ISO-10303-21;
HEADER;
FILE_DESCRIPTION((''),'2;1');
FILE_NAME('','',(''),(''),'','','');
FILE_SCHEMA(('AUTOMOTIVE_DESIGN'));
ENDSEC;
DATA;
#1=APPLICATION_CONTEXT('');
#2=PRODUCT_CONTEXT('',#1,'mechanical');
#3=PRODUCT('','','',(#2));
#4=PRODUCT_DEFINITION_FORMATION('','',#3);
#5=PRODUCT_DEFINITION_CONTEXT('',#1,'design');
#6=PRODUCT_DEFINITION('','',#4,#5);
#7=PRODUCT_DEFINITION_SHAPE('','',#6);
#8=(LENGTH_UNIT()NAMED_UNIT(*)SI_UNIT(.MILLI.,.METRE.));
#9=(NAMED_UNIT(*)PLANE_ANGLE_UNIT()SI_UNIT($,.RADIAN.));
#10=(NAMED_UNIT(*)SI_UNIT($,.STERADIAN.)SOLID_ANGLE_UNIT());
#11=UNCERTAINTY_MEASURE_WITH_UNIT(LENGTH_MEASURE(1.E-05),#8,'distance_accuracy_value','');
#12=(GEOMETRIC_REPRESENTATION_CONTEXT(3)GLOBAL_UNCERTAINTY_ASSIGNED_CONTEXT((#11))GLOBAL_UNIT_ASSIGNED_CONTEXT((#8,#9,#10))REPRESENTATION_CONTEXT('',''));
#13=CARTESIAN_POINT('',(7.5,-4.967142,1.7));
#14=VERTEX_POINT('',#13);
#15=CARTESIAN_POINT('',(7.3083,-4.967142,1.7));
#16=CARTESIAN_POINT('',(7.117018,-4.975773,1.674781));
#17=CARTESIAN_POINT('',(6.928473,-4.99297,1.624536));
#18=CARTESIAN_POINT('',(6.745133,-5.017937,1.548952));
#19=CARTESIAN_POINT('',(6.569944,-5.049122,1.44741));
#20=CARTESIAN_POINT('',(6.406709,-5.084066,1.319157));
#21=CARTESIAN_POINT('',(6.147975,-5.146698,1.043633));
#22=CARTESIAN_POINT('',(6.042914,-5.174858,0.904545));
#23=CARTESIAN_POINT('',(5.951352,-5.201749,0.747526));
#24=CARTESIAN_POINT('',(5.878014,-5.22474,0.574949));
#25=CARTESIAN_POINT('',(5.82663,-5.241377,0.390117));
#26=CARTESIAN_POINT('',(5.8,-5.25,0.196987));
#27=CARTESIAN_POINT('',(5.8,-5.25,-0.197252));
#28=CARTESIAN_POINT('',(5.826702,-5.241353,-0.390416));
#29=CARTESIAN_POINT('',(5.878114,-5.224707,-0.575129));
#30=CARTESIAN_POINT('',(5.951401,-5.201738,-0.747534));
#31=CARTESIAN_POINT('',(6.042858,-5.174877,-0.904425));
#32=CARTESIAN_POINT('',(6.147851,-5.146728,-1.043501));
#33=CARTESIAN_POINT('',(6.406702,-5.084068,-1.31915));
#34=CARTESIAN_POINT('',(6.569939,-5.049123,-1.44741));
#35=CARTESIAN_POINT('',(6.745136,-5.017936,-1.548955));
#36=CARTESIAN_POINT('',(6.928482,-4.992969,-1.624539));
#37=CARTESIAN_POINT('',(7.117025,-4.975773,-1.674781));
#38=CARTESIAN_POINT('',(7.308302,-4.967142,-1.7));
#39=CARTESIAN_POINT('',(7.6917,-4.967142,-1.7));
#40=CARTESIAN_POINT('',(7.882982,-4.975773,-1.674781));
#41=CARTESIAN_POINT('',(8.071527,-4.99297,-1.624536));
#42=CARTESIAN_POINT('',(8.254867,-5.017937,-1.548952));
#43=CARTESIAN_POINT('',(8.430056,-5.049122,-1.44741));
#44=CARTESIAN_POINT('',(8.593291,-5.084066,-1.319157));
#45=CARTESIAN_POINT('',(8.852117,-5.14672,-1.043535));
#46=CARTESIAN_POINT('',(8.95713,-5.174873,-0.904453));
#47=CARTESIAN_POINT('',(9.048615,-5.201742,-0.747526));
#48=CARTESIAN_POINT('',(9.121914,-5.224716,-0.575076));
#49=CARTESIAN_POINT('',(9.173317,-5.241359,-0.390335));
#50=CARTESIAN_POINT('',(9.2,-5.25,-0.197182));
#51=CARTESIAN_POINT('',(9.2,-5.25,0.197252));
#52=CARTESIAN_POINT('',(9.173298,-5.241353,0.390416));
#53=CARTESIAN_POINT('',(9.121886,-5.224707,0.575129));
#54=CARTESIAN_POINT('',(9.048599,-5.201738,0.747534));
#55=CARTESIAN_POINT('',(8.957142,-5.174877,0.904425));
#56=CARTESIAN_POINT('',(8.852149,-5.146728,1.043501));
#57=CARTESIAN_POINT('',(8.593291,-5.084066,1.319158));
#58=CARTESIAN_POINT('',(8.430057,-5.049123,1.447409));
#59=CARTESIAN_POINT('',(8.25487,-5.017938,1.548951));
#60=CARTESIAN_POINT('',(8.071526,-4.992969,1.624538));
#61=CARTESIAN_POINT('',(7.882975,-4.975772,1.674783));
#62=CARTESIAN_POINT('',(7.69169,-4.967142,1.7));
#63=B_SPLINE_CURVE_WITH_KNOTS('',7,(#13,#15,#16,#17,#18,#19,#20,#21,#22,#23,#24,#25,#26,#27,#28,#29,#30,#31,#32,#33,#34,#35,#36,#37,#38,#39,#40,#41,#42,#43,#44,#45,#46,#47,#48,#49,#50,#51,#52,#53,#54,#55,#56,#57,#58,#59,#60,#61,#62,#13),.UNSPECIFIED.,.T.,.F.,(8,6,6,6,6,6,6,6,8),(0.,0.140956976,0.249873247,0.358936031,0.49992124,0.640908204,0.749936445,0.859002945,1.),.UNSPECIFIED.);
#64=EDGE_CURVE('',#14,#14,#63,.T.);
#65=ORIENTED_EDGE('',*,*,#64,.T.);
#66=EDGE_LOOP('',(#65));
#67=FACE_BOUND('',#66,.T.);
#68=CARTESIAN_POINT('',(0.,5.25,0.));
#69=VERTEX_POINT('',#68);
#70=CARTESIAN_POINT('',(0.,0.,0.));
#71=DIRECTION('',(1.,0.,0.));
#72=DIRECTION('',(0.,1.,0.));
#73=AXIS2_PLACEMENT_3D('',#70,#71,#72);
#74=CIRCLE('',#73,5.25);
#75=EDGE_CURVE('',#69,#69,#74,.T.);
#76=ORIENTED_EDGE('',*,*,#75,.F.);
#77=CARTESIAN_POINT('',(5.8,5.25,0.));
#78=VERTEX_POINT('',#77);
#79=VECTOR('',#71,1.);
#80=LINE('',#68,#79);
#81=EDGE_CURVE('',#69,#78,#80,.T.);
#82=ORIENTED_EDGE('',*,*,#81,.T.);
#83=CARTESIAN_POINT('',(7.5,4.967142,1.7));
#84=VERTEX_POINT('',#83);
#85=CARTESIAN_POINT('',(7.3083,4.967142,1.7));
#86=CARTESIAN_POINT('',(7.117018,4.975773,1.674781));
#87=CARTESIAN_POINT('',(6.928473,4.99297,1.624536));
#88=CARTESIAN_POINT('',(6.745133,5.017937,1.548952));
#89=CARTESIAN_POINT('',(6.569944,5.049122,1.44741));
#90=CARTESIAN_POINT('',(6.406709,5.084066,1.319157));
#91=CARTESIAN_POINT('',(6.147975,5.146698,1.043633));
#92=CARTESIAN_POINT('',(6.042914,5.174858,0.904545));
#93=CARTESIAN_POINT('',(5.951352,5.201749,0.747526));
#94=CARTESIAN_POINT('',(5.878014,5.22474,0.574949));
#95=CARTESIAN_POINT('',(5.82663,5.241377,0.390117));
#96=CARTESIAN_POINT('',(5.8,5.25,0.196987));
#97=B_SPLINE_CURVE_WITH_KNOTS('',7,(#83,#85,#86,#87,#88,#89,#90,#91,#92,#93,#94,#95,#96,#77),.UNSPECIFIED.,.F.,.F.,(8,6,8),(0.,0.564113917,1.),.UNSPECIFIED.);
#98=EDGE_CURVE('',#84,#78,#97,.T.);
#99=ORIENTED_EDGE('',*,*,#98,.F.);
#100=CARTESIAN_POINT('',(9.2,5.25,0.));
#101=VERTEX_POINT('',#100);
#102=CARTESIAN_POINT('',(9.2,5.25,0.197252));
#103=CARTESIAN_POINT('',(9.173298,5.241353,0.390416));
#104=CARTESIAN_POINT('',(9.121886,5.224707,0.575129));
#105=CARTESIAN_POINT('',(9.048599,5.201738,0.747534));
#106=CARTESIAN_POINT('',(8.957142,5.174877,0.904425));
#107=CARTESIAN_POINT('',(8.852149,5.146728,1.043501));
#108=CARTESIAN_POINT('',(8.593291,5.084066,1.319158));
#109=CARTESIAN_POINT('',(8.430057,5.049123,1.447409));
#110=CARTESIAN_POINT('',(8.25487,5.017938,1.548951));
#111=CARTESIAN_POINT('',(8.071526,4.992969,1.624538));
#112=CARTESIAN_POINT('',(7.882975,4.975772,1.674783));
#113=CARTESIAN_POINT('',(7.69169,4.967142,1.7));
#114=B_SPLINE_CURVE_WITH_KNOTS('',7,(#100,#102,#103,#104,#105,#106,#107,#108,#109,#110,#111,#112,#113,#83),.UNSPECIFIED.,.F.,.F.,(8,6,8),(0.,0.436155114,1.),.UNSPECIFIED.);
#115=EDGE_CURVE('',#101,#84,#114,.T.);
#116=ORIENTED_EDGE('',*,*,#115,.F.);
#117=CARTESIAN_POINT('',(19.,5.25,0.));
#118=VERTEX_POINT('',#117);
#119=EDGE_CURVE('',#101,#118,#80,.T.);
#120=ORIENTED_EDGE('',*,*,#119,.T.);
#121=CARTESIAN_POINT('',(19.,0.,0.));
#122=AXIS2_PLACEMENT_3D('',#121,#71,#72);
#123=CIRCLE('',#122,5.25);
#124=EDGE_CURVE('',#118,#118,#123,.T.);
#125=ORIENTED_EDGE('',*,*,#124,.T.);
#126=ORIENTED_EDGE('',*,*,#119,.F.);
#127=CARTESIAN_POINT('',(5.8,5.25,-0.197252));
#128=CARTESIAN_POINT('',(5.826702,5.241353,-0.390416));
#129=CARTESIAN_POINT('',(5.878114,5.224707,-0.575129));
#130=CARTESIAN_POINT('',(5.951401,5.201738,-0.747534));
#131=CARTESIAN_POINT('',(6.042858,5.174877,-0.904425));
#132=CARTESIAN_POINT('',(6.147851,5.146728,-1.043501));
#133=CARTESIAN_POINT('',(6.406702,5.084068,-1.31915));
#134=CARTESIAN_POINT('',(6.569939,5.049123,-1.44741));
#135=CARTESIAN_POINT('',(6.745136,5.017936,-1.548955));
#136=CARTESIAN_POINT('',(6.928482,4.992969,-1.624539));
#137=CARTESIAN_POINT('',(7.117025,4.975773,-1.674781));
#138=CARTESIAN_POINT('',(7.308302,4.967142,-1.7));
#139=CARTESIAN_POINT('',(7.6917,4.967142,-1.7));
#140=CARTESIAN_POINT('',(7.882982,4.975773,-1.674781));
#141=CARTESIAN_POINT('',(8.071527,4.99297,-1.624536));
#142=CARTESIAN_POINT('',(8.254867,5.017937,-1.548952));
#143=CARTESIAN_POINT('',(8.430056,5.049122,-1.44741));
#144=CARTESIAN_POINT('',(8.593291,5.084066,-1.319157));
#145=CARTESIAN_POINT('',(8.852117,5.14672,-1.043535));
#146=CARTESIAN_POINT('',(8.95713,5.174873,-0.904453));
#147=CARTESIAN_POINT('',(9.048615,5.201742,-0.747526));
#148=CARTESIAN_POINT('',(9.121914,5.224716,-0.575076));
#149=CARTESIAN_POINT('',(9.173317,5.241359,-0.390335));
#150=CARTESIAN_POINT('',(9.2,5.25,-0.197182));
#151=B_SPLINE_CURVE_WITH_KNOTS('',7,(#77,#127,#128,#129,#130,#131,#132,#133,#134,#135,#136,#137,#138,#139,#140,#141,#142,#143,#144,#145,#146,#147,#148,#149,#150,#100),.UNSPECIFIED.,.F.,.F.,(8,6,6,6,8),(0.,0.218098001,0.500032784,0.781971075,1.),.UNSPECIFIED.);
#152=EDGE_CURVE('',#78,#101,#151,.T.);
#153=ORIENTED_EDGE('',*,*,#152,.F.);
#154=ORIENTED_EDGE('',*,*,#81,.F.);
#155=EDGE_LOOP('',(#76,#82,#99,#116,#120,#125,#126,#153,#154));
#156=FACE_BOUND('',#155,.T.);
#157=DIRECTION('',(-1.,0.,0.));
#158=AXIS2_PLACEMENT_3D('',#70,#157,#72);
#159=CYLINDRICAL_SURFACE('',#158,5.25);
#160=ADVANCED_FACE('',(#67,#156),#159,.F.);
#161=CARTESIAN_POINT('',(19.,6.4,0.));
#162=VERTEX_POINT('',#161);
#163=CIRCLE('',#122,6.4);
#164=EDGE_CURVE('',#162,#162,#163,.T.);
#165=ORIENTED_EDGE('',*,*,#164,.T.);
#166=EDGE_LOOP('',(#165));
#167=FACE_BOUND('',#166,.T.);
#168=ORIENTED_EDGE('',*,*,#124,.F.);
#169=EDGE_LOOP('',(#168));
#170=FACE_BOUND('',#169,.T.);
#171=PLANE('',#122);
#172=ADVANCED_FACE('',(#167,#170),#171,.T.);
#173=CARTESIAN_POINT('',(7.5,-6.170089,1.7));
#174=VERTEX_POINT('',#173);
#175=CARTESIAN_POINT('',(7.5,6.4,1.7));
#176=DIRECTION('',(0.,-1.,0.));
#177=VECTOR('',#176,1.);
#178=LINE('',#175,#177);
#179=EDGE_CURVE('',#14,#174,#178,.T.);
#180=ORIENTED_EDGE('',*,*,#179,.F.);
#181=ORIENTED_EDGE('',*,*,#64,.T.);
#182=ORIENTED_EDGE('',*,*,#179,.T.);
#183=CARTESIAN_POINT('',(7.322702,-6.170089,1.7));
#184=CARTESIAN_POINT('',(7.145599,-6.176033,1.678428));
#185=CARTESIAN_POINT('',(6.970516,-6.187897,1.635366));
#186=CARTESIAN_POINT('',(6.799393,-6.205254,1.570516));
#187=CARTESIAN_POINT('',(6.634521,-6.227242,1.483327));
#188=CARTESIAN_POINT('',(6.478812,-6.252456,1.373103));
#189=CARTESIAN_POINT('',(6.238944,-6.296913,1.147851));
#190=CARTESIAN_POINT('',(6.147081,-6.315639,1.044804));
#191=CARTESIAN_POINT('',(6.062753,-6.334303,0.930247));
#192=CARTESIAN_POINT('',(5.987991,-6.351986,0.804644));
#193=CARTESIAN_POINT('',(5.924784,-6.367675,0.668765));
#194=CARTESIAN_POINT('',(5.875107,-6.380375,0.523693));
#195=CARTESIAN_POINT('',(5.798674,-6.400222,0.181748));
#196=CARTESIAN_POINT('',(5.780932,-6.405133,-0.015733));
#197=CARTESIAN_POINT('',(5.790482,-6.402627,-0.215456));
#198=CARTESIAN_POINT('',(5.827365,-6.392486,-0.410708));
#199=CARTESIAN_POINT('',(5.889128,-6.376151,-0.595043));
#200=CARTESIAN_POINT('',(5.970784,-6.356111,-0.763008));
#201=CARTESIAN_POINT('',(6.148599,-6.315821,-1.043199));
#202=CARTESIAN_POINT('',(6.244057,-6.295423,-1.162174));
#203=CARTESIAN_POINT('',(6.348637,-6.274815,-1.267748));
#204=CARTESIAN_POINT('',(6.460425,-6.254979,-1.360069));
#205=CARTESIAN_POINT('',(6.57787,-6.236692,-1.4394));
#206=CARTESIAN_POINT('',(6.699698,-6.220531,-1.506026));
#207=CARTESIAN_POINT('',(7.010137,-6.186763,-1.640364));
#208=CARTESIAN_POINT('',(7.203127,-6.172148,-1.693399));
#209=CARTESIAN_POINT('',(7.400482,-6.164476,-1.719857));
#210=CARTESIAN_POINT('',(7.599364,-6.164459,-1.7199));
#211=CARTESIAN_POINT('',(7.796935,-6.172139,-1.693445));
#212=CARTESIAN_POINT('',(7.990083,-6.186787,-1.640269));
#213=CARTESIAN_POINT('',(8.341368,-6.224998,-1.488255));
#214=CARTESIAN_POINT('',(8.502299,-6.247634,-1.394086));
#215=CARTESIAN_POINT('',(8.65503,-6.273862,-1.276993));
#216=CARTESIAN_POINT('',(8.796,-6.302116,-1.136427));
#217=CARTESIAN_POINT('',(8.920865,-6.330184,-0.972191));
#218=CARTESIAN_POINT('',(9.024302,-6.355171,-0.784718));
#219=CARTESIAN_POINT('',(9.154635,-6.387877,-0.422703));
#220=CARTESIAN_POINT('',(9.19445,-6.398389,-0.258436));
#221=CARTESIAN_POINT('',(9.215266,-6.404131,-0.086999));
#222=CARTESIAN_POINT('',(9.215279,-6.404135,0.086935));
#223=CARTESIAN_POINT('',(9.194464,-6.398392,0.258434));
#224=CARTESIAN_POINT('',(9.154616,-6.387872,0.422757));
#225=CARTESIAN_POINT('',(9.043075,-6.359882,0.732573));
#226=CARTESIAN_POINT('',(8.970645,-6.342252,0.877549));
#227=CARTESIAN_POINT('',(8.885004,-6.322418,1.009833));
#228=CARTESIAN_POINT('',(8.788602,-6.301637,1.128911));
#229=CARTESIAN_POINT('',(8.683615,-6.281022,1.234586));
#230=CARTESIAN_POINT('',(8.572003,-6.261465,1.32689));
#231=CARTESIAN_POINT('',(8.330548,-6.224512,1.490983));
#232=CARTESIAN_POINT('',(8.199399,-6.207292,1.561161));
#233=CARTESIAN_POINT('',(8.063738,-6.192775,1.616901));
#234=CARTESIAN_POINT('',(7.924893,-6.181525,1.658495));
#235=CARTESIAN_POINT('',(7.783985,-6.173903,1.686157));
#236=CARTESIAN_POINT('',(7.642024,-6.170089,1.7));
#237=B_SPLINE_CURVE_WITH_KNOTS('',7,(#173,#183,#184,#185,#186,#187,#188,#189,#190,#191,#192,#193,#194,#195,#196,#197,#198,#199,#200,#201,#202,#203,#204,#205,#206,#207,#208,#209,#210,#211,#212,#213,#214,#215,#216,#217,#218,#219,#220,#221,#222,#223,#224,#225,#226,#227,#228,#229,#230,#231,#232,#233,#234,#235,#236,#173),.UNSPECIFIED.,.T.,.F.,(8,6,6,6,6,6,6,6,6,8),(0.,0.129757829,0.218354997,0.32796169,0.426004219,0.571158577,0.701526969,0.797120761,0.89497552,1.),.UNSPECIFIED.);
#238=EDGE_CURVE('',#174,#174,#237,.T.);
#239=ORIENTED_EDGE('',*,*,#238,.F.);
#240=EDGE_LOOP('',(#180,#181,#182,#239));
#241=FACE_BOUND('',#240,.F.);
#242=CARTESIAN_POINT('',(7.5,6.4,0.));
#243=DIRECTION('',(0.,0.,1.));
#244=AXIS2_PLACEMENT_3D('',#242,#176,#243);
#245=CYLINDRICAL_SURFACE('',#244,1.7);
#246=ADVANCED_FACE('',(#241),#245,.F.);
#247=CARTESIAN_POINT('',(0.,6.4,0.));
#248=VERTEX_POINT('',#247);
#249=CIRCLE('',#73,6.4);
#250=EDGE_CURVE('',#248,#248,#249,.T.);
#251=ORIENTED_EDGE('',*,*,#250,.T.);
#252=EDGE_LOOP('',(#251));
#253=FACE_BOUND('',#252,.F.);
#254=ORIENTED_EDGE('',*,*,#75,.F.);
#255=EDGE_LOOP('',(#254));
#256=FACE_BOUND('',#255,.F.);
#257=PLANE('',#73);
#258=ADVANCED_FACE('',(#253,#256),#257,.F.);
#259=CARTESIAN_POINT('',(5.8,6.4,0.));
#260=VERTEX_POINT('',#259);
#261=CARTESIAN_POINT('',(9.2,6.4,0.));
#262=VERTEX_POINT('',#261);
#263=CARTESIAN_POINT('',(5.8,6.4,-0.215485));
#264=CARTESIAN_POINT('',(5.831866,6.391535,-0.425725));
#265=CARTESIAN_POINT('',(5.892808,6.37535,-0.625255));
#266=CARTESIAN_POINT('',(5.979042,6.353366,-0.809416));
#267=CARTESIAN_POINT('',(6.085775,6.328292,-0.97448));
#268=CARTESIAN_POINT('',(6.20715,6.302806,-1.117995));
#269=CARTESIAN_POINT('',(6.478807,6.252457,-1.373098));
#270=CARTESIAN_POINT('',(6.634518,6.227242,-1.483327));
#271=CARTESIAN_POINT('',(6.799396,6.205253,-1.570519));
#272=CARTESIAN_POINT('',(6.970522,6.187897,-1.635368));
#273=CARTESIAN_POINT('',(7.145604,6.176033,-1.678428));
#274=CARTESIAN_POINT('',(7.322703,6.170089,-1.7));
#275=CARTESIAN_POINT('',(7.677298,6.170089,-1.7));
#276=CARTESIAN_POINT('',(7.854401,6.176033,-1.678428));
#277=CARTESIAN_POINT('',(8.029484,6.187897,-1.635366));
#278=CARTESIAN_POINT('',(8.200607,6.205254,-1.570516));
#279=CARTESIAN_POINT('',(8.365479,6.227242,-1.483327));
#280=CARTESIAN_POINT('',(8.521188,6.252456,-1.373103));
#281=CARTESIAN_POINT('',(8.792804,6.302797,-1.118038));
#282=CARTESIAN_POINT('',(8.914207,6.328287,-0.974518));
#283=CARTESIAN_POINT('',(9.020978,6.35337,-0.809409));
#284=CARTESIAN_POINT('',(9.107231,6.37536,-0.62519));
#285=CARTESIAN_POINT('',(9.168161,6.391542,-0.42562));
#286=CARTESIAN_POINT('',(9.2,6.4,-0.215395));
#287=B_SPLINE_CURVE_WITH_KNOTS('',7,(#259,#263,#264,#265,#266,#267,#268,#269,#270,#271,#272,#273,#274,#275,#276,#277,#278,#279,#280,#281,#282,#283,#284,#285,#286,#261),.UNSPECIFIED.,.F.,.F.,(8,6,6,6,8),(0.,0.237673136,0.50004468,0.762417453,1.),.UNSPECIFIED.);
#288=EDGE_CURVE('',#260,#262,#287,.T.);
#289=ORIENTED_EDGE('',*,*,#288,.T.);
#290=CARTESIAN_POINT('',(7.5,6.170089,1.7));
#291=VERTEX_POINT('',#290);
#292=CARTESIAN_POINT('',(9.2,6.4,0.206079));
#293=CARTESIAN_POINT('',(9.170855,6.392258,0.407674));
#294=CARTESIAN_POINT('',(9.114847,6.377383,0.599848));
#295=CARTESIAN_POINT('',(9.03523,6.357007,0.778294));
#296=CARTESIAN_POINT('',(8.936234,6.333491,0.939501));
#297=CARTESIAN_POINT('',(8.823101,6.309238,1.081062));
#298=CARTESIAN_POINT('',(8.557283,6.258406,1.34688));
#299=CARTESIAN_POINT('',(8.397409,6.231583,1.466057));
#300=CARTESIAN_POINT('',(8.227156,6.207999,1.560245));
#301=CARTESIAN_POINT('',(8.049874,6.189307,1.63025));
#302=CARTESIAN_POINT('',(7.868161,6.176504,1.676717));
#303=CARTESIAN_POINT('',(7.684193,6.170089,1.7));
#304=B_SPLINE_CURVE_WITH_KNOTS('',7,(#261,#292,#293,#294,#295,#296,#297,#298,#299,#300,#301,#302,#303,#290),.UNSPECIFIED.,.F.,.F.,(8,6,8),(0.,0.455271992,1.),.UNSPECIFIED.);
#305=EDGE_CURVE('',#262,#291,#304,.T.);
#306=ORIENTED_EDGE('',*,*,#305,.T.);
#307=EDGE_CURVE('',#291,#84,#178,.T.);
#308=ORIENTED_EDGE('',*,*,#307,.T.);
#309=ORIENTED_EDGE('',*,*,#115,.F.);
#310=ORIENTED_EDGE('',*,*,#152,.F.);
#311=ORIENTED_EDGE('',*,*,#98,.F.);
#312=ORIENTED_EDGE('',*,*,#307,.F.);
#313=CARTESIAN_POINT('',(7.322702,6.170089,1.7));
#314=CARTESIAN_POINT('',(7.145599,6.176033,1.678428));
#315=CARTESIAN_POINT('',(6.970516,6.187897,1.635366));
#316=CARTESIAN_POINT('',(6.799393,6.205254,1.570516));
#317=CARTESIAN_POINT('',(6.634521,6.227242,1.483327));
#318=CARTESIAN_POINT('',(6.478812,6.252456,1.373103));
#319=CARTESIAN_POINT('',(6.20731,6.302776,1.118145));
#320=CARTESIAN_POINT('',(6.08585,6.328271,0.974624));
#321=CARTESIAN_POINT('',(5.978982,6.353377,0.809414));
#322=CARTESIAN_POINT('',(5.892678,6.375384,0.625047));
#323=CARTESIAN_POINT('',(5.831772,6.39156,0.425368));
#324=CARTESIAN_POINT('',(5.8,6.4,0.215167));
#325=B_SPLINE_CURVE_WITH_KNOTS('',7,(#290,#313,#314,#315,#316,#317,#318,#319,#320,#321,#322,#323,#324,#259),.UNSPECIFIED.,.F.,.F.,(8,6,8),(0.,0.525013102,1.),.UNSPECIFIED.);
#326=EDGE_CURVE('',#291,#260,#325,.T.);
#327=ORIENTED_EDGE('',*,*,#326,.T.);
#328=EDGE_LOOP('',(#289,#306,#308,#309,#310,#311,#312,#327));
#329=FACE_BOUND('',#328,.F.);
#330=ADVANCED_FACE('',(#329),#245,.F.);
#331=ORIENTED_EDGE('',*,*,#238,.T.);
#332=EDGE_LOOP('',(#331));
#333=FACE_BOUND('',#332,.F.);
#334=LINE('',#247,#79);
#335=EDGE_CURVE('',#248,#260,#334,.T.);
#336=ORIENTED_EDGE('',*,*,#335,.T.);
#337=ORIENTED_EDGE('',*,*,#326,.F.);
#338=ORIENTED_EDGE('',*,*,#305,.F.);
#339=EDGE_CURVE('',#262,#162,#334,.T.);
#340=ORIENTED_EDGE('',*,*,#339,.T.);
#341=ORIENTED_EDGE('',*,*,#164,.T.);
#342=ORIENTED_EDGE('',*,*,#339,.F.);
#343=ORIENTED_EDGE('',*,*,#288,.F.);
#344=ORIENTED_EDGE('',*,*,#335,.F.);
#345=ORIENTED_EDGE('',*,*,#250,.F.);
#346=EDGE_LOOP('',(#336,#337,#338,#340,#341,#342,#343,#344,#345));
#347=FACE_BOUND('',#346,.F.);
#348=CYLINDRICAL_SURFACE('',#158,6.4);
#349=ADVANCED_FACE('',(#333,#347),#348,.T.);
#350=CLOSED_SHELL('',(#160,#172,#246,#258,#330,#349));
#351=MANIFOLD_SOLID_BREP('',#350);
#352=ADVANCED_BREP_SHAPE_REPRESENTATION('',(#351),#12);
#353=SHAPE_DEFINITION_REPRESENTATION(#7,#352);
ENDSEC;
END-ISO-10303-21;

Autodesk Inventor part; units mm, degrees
ref_plane "YZ Plane" through (0, 0, 0) normal (1, 0, 0) x (0, 1, 0)
ref_plane "XY Plane" through (0, 0, 0) normal (0, 0, 1) x (1, 0, 0)
sketch "スケッチ1" plane through (0, 0, 0) normal (1, 0, 0) x (0, 1, 0)
  circle A0 centre (0, 0) radius 5.25
  circle A1 centre (0, 0) radius 6.4
  dimension "d0" = 10.5
  dimension "d1" = 12.8
extrude "押し出し1" add sketch "スケッチ1" along normal blind 19
ref_plane "作業平面1" through (0, 6.4, 0) normal (0, 1, 0) x (-1, 0, 0)
sketch "スケッチ2" plane through (0, 6.4, 0) normal (0, 1, 0) x (-1, 0, 0)
  line L0 (0, 6.4) -> (0, -6.4) projected
  point P0 (0, 0)
  point P1 (-7.5, 0)
  dimension "d4" = 7.5
hole "穴1" at (7.5, 6.4, 0) direction (0, -1, 0) diameter 3.4 end through all
properties part number "roller-hand-v1-3DP-shaft-spesa" material "ABS プラスチック"
